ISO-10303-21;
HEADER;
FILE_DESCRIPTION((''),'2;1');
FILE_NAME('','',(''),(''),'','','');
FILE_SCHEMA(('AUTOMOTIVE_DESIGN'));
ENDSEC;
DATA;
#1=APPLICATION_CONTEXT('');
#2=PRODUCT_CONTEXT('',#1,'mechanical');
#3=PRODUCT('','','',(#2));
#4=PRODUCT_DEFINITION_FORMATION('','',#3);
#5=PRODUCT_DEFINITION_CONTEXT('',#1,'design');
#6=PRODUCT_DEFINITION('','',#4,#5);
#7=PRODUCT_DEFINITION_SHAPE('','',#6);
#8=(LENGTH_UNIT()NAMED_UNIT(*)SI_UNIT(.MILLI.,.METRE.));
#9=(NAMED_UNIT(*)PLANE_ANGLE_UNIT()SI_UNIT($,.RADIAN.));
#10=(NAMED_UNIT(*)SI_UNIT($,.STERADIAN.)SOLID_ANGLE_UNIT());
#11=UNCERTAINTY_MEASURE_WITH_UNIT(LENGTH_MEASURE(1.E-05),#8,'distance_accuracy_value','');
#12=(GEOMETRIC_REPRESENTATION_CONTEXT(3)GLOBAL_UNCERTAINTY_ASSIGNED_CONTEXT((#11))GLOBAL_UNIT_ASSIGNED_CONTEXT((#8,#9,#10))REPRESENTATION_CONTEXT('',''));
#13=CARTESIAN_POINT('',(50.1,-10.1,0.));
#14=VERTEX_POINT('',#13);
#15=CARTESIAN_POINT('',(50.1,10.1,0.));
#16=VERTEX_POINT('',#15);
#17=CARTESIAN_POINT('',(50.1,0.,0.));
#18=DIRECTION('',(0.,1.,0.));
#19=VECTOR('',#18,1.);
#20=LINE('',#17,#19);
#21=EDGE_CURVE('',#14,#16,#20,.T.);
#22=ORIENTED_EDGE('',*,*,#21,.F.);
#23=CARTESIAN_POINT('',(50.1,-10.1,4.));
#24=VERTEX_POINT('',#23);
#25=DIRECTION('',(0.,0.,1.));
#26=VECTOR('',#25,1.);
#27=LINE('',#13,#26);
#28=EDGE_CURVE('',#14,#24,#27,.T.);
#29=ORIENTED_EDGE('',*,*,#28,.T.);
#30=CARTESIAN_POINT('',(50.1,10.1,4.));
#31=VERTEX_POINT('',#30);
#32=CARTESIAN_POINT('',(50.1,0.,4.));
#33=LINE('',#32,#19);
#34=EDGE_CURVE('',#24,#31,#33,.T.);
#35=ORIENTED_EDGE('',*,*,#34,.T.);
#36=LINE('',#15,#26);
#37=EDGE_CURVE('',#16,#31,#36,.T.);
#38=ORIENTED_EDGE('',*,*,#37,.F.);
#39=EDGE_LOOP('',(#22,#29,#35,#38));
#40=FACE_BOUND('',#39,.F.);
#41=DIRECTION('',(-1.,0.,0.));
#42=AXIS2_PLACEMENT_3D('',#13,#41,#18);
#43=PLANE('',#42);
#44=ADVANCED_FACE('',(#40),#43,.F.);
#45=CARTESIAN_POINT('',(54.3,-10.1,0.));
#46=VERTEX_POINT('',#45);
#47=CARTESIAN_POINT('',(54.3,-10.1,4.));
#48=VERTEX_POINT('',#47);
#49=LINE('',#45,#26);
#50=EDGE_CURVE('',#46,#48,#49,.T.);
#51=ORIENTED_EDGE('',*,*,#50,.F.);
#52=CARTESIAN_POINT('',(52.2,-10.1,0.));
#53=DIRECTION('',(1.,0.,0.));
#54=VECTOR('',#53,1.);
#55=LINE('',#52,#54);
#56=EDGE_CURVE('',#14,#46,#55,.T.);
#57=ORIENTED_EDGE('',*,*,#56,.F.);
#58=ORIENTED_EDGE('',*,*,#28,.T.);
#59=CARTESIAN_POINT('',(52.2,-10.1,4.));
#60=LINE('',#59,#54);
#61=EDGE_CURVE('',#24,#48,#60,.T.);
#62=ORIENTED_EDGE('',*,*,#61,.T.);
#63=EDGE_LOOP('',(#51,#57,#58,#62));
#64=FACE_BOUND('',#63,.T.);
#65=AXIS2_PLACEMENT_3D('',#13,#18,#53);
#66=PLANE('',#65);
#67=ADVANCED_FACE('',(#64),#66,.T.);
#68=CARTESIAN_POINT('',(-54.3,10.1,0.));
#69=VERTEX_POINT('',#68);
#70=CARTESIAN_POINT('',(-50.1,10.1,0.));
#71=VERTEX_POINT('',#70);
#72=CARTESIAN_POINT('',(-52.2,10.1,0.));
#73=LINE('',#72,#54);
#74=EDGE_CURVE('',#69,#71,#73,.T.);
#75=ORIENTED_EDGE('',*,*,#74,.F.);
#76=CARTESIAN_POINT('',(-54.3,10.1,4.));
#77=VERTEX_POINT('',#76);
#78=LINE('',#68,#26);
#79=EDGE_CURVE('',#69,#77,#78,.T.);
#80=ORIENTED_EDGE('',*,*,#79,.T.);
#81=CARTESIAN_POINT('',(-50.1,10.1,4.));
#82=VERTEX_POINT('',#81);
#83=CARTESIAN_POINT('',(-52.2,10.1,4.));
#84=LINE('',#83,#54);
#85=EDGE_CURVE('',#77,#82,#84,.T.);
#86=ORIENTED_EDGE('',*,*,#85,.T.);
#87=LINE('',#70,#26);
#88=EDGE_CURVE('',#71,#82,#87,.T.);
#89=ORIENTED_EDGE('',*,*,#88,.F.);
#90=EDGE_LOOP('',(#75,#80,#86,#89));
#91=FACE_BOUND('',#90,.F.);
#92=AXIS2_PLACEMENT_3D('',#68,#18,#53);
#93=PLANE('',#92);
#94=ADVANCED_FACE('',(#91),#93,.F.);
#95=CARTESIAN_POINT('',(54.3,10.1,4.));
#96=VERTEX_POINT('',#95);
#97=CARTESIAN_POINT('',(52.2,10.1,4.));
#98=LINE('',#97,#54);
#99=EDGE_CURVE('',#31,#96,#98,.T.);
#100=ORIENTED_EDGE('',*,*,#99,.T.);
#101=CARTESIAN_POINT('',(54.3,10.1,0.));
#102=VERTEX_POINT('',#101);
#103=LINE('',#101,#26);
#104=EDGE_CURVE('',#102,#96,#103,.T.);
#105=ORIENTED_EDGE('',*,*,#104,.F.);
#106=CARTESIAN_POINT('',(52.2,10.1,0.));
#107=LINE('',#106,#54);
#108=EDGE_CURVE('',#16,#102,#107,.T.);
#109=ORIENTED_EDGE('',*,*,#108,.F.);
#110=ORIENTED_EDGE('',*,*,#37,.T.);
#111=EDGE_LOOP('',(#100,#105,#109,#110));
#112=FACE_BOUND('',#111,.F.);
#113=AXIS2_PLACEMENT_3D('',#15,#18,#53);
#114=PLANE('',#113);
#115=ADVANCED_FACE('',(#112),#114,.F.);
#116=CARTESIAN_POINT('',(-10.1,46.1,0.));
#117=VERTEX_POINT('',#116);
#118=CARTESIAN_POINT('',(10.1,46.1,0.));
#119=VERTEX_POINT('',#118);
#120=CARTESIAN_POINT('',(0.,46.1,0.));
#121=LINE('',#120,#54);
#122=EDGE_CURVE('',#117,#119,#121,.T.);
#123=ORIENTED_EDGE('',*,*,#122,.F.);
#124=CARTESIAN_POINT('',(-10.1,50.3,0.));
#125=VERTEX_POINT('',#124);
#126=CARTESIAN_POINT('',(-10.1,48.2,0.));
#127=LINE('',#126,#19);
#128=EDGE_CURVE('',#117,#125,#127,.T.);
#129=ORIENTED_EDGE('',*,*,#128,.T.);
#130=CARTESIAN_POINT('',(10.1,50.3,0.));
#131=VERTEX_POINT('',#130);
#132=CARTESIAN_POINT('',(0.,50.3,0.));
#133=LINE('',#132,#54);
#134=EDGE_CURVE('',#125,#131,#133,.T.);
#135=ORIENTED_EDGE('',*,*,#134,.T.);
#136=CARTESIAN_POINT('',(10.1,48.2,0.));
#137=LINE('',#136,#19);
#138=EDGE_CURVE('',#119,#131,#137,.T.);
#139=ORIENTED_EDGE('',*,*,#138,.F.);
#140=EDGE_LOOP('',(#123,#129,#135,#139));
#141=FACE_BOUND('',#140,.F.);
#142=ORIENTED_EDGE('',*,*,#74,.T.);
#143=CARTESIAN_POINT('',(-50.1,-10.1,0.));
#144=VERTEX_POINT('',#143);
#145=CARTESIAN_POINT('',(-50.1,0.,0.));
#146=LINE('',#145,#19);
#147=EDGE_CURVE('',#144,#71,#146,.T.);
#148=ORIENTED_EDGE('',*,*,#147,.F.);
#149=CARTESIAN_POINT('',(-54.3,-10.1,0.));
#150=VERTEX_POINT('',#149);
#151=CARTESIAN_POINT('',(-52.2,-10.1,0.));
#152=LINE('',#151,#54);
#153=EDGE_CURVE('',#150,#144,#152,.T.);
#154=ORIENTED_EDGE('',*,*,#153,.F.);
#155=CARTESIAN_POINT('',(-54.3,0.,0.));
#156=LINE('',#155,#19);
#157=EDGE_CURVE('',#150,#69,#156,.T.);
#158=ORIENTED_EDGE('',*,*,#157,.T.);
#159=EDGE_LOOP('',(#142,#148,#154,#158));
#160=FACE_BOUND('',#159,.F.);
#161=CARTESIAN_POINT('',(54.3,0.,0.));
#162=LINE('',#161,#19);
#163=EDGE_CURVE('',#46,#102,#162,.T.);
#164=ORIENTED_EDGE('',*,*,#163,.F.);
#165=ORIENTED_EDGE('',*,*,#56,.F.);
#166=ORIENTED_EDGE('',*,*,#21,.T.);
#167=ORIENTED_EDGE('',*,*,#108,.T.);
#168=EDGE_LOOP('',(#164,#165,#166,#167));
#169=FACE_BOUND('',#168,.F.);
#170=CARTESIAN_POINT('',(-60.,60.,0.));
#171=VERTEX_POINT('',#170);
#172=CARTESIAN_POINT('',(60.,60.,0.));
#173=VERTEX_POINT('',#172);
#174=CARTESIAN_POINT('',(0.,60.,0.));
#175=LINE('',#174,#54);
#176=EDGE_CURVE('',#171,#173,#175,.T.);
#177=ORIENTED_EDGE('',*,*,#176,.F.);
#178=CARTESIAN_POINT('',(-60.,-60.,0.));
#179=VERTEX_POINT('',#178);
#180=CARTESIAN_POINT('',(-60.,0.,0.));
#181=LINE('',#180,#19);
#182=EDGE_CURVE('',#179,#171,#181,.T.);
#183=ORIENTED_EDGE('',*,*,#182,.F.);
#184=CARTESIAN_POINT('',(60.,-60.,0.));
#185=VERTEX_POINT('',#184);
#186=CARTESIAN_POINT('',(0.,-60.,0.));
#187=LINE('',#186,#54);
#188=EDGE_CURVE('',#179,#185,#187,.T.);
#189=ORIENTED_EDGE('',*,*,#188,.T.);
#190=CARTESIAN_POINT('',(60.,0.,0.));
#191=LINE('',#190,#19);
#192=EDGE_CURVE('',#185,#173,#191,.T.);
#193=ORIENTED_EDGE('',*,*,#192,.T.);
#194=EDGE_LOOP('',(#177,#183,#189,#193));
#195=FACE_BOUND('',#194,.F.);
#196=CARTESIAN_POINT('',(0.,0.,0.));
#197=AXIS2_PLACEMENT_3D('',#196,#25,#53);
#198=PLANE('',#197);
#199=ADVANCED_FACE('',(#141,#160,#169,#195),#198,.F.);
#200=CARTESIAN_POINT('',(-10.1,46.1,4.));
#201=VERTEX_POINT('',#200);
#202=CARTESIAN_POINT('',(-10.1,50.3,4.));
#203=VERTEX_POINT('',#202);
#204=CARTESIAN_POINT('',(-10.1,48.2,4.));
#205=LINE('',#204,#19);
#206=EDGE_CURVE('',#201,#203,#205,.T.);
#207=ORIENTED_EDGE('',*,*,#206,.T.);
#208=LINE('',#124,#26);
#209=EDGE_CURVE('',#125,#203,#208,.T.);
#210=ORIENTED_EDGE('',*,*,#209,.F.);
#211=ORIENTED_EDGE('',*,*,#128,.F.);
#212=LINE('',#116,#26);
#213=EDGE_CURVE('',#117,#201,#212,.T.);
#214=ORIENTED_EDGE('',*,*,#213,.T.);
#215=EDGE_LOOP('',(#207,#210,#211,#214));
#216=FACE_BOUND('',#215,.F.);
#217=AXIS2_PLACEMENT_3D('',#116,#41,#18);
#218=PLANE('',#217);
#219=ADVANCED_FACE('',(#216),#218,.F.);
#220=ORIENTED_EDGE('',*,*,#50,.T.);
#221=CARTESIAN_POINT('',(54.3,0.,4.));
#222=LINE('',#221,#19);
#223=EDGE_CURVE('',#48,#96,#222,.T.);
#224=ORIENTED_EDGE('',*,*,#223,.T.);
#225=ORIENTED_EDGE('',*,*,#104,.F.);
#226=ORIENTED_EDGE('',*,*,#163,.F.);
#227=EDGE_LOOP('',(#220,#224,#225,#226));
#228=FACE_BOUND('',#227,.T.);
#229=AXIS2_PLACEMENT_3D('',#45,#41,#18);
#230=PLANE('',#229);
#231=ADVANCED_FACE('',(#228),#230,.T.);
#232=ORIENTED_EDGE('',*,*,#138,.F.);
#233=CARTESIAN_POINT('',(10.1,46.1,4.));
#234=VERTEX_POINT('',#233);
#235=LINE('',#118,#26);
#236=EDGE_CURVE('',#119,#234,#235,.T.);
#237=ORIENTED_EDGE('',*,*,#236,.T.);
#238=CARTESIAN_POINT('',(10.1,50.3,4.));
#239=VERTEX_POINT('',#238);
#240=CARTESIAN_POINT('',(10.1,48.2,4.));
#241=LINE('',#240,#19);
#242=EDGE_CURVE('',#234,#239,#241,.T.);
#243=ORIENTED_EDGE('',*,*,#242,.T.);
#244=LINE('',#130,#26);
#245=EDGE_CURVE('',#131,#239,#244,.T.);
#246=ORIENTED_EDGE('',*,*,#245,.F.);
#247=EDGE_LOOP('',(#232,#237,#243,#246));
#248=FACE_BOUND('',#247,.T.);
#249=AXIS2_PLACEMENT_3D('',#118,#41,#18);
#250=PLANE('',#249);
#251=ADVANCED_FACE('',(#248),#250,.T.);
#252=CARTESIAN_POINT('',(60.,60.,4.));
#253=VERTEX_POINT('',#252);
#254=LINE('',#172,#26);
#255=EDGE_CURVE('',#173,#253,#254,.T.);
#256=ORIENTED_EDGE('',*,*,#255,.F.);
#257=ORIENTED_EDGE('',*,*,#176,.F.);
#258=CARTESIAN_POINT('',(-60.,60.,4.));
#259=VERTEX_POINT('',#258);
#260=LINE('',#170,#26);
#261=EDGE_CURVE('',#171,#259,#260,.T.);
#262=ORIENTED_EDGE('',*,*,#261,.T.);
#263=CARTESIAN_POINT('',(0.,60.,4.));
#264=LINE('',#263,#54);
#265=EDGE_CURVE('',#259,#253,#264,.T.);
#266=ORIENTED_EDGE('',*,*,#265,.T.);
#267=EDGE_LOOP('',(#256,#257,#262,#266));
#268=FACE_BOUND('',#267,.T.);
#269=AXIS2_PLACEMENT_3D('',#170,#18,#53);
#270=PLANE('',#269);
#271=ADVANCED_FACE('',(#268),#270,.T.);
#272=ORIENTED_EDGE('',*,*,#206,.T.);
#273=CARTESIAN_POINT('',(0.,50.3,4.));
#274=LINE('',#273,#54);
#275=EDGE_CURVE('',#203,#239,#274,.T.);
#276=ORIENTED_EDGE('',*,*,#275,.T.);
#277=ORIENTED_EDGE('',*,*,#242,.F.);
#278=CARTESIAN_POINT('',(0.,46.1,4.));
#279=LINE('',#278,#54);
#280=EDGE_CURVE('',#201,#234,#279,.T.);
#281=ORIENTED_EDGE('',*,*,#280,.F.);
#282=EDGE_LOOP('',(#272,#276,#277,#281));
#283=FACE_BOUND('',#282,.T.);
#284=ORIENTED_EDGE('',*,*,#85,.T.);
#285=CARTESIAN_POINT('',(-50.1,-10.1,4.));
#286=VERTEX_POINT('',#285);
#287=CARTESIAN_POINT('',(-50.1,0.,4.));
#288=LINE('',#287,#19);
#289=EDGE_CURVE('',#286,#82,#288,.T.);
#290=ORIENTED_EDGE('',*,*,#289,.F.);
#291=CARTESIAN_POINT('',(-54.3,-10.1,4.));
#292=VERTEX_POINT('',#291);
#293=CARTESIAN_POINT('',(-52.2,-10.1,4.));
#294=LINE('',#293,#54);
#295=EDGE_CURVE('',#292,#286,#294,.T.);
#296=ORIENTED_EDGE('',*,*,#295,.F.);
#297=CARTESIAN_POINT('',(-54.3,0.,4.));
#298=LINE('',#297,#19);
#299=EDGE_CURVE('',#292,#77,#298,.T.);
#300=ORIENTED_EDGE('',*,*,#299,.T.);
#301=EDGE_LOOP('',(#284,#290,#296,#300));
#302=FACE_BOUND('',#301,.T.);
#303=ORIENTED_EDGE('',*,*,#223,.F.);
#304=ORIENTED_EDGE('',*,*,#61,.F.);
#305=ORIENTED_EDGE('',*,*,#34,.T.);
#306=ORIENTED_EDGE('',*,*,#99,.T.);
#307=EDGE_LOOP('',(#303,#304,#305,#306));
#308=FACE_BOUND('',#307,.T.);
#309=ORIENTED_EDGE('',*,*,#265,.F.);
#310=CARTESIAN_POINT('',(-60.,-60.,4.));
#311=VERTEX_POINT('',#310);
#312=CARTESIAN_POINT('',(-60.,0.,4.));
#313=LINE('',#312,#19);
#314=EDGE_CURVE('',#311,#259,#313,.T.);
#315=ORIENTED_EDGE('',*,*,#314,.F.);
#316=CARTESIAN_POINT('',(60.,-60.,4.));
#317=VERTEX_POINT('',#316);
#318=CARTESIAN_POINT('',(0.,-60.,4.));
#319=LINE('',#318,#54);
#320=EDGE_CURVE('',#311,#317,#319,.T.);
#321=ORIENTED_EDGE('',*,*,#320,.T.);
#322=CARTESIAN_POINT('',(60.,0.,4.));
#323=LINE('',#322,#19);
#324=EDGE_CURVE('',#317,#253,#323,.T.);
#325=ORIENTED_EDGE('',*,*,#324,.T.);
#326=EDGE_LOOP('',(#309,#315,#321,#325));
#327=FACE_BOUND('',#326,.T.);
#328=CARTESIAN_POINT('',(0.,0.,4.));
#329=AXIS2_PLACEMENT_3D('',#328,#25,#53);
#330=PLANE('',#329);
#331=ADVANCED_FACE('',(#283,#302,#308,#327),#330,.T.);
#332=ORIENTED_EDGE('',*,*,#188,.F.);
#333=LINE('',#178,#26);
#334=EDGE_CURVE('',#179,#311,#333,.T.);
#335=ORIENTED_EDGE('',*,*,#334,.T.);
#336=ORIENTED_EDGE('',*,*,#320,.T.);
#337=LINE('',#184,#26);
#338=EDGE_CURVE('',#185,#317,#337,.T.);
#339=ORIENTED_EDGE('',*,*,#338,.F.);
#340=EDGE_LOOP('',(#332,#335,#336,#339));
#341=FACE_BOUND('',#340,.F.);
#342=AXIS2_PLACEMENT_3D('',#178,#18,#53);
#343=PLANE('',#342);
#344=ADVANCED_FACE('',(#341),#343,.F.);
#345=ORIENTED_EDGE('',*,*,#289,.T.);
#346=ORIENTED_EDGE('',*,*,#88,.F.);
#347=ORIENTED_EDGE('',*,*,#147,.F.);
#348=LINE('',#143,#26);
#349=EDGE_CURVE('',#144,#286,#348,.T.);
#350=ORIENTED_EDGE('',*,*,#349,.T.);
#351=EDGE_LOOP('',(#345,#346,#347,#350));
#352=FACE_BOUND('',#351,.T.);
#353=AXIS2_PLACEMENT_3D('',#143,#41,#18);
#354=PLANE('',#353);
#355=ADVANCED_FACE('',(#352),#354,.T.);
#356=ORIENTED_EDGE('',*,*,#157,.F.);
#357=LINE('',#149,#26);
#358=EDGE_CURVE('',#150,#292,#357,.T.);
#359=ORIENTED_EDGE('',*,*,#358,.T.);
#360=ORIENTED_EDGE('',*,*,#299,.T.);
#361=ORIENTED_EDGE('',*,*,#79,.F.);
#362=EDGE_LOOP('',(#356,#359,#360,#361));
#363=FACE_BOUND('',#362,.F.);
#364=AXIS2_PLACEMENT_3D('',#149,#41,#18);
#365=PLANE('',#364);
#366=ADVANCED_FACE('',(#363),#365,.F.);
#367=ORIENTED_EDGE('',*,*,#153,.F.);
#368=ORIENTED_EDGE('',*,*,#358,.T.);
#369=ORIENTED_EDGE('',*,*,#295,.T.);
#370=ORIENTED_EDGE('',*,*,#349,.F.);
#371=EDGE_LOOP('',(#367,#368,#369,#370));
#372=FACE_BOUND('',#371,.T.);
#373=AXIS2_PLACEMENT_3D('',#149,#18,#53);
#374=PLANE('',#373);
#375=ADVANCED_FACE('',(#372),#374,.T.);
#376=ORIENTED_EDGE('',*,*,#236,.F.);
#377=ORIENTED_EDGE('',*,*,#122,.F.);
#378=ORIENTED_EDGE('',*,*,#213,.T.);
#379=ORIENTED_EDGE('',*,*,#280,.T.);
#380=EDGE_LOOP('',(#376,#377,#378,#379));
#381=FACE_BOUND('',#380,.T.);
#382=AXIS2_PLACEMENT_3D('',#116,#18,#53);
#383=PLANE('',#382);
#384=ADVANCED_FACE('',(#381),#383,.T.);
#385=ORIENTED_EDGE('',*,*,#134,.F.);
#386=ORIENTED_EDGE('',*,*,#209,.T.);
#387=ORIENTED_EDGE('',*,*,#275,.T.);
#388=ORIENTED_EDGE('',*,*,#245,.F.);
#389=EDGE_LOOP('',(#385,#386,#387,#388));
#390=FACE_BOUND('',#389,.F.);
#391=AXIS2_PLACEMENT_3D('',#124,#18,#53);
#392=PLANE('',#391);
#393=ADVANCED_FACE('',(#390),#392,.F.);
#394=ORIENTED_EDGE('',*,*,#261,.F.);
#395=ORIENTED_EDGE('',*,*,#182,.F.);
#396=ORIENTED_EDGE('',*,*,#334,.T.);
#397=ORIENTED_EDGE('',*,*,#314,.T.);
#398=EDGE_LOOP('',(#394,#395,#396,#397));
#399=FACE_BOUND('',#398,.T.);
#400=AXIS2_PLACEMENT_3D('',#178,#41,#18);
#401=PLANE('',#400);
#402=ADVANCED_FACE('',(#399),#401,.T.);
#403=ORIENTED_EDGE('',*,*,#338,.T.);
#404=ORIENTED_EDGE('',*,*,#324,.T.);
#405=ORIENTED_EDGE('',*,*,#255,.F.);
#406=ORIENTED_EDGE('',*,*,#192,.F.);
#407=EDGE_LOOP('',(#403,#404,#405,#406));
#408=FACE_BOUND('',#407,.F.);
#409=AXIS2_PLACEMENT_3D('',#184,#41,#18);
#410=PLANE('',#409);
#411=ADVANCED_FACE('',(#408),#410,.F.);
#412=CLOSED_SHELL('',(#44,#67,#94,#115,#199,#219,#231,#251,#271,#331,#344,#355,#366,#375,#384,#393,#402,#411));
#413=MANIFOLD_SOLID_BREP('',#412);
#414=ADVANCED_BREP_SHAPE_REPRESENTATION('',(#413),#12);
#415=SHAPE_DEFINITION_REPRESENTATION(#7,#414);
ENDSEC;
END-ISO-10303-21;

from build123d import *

# Parameters (mm, degrees)
F0_W     = 120
F0_H     = 120
F0_W_2   = 4.2
F0_H_2   = 20.2
F0_W_3   = 20.2
F0_H_3   = 4.2
F1_DEPTH = 4


with BuildPart() as f1:
    # F0 (on Top) → F1 (new body)
    with BuildSketch(Plane.XY):
        Rectangle(F0_W, F0_H)
        with Locations((-52.2, 0)):
            Rectangle(F0_W_2, F0_H_2, mode=Mode.SUBTRACT)
        with Locations((52.2, 0)):
            Rectangle(F0_W_2, F0_H_2, mode=Mode.SUBTRACT)
        with Locations((0, 48.2)):
            Rectangle(F0_W_3, F0_H_3, mode=Mode.SUBTRACT)
    extrude(amount=F1_DEPTH)


solid = f1.part
